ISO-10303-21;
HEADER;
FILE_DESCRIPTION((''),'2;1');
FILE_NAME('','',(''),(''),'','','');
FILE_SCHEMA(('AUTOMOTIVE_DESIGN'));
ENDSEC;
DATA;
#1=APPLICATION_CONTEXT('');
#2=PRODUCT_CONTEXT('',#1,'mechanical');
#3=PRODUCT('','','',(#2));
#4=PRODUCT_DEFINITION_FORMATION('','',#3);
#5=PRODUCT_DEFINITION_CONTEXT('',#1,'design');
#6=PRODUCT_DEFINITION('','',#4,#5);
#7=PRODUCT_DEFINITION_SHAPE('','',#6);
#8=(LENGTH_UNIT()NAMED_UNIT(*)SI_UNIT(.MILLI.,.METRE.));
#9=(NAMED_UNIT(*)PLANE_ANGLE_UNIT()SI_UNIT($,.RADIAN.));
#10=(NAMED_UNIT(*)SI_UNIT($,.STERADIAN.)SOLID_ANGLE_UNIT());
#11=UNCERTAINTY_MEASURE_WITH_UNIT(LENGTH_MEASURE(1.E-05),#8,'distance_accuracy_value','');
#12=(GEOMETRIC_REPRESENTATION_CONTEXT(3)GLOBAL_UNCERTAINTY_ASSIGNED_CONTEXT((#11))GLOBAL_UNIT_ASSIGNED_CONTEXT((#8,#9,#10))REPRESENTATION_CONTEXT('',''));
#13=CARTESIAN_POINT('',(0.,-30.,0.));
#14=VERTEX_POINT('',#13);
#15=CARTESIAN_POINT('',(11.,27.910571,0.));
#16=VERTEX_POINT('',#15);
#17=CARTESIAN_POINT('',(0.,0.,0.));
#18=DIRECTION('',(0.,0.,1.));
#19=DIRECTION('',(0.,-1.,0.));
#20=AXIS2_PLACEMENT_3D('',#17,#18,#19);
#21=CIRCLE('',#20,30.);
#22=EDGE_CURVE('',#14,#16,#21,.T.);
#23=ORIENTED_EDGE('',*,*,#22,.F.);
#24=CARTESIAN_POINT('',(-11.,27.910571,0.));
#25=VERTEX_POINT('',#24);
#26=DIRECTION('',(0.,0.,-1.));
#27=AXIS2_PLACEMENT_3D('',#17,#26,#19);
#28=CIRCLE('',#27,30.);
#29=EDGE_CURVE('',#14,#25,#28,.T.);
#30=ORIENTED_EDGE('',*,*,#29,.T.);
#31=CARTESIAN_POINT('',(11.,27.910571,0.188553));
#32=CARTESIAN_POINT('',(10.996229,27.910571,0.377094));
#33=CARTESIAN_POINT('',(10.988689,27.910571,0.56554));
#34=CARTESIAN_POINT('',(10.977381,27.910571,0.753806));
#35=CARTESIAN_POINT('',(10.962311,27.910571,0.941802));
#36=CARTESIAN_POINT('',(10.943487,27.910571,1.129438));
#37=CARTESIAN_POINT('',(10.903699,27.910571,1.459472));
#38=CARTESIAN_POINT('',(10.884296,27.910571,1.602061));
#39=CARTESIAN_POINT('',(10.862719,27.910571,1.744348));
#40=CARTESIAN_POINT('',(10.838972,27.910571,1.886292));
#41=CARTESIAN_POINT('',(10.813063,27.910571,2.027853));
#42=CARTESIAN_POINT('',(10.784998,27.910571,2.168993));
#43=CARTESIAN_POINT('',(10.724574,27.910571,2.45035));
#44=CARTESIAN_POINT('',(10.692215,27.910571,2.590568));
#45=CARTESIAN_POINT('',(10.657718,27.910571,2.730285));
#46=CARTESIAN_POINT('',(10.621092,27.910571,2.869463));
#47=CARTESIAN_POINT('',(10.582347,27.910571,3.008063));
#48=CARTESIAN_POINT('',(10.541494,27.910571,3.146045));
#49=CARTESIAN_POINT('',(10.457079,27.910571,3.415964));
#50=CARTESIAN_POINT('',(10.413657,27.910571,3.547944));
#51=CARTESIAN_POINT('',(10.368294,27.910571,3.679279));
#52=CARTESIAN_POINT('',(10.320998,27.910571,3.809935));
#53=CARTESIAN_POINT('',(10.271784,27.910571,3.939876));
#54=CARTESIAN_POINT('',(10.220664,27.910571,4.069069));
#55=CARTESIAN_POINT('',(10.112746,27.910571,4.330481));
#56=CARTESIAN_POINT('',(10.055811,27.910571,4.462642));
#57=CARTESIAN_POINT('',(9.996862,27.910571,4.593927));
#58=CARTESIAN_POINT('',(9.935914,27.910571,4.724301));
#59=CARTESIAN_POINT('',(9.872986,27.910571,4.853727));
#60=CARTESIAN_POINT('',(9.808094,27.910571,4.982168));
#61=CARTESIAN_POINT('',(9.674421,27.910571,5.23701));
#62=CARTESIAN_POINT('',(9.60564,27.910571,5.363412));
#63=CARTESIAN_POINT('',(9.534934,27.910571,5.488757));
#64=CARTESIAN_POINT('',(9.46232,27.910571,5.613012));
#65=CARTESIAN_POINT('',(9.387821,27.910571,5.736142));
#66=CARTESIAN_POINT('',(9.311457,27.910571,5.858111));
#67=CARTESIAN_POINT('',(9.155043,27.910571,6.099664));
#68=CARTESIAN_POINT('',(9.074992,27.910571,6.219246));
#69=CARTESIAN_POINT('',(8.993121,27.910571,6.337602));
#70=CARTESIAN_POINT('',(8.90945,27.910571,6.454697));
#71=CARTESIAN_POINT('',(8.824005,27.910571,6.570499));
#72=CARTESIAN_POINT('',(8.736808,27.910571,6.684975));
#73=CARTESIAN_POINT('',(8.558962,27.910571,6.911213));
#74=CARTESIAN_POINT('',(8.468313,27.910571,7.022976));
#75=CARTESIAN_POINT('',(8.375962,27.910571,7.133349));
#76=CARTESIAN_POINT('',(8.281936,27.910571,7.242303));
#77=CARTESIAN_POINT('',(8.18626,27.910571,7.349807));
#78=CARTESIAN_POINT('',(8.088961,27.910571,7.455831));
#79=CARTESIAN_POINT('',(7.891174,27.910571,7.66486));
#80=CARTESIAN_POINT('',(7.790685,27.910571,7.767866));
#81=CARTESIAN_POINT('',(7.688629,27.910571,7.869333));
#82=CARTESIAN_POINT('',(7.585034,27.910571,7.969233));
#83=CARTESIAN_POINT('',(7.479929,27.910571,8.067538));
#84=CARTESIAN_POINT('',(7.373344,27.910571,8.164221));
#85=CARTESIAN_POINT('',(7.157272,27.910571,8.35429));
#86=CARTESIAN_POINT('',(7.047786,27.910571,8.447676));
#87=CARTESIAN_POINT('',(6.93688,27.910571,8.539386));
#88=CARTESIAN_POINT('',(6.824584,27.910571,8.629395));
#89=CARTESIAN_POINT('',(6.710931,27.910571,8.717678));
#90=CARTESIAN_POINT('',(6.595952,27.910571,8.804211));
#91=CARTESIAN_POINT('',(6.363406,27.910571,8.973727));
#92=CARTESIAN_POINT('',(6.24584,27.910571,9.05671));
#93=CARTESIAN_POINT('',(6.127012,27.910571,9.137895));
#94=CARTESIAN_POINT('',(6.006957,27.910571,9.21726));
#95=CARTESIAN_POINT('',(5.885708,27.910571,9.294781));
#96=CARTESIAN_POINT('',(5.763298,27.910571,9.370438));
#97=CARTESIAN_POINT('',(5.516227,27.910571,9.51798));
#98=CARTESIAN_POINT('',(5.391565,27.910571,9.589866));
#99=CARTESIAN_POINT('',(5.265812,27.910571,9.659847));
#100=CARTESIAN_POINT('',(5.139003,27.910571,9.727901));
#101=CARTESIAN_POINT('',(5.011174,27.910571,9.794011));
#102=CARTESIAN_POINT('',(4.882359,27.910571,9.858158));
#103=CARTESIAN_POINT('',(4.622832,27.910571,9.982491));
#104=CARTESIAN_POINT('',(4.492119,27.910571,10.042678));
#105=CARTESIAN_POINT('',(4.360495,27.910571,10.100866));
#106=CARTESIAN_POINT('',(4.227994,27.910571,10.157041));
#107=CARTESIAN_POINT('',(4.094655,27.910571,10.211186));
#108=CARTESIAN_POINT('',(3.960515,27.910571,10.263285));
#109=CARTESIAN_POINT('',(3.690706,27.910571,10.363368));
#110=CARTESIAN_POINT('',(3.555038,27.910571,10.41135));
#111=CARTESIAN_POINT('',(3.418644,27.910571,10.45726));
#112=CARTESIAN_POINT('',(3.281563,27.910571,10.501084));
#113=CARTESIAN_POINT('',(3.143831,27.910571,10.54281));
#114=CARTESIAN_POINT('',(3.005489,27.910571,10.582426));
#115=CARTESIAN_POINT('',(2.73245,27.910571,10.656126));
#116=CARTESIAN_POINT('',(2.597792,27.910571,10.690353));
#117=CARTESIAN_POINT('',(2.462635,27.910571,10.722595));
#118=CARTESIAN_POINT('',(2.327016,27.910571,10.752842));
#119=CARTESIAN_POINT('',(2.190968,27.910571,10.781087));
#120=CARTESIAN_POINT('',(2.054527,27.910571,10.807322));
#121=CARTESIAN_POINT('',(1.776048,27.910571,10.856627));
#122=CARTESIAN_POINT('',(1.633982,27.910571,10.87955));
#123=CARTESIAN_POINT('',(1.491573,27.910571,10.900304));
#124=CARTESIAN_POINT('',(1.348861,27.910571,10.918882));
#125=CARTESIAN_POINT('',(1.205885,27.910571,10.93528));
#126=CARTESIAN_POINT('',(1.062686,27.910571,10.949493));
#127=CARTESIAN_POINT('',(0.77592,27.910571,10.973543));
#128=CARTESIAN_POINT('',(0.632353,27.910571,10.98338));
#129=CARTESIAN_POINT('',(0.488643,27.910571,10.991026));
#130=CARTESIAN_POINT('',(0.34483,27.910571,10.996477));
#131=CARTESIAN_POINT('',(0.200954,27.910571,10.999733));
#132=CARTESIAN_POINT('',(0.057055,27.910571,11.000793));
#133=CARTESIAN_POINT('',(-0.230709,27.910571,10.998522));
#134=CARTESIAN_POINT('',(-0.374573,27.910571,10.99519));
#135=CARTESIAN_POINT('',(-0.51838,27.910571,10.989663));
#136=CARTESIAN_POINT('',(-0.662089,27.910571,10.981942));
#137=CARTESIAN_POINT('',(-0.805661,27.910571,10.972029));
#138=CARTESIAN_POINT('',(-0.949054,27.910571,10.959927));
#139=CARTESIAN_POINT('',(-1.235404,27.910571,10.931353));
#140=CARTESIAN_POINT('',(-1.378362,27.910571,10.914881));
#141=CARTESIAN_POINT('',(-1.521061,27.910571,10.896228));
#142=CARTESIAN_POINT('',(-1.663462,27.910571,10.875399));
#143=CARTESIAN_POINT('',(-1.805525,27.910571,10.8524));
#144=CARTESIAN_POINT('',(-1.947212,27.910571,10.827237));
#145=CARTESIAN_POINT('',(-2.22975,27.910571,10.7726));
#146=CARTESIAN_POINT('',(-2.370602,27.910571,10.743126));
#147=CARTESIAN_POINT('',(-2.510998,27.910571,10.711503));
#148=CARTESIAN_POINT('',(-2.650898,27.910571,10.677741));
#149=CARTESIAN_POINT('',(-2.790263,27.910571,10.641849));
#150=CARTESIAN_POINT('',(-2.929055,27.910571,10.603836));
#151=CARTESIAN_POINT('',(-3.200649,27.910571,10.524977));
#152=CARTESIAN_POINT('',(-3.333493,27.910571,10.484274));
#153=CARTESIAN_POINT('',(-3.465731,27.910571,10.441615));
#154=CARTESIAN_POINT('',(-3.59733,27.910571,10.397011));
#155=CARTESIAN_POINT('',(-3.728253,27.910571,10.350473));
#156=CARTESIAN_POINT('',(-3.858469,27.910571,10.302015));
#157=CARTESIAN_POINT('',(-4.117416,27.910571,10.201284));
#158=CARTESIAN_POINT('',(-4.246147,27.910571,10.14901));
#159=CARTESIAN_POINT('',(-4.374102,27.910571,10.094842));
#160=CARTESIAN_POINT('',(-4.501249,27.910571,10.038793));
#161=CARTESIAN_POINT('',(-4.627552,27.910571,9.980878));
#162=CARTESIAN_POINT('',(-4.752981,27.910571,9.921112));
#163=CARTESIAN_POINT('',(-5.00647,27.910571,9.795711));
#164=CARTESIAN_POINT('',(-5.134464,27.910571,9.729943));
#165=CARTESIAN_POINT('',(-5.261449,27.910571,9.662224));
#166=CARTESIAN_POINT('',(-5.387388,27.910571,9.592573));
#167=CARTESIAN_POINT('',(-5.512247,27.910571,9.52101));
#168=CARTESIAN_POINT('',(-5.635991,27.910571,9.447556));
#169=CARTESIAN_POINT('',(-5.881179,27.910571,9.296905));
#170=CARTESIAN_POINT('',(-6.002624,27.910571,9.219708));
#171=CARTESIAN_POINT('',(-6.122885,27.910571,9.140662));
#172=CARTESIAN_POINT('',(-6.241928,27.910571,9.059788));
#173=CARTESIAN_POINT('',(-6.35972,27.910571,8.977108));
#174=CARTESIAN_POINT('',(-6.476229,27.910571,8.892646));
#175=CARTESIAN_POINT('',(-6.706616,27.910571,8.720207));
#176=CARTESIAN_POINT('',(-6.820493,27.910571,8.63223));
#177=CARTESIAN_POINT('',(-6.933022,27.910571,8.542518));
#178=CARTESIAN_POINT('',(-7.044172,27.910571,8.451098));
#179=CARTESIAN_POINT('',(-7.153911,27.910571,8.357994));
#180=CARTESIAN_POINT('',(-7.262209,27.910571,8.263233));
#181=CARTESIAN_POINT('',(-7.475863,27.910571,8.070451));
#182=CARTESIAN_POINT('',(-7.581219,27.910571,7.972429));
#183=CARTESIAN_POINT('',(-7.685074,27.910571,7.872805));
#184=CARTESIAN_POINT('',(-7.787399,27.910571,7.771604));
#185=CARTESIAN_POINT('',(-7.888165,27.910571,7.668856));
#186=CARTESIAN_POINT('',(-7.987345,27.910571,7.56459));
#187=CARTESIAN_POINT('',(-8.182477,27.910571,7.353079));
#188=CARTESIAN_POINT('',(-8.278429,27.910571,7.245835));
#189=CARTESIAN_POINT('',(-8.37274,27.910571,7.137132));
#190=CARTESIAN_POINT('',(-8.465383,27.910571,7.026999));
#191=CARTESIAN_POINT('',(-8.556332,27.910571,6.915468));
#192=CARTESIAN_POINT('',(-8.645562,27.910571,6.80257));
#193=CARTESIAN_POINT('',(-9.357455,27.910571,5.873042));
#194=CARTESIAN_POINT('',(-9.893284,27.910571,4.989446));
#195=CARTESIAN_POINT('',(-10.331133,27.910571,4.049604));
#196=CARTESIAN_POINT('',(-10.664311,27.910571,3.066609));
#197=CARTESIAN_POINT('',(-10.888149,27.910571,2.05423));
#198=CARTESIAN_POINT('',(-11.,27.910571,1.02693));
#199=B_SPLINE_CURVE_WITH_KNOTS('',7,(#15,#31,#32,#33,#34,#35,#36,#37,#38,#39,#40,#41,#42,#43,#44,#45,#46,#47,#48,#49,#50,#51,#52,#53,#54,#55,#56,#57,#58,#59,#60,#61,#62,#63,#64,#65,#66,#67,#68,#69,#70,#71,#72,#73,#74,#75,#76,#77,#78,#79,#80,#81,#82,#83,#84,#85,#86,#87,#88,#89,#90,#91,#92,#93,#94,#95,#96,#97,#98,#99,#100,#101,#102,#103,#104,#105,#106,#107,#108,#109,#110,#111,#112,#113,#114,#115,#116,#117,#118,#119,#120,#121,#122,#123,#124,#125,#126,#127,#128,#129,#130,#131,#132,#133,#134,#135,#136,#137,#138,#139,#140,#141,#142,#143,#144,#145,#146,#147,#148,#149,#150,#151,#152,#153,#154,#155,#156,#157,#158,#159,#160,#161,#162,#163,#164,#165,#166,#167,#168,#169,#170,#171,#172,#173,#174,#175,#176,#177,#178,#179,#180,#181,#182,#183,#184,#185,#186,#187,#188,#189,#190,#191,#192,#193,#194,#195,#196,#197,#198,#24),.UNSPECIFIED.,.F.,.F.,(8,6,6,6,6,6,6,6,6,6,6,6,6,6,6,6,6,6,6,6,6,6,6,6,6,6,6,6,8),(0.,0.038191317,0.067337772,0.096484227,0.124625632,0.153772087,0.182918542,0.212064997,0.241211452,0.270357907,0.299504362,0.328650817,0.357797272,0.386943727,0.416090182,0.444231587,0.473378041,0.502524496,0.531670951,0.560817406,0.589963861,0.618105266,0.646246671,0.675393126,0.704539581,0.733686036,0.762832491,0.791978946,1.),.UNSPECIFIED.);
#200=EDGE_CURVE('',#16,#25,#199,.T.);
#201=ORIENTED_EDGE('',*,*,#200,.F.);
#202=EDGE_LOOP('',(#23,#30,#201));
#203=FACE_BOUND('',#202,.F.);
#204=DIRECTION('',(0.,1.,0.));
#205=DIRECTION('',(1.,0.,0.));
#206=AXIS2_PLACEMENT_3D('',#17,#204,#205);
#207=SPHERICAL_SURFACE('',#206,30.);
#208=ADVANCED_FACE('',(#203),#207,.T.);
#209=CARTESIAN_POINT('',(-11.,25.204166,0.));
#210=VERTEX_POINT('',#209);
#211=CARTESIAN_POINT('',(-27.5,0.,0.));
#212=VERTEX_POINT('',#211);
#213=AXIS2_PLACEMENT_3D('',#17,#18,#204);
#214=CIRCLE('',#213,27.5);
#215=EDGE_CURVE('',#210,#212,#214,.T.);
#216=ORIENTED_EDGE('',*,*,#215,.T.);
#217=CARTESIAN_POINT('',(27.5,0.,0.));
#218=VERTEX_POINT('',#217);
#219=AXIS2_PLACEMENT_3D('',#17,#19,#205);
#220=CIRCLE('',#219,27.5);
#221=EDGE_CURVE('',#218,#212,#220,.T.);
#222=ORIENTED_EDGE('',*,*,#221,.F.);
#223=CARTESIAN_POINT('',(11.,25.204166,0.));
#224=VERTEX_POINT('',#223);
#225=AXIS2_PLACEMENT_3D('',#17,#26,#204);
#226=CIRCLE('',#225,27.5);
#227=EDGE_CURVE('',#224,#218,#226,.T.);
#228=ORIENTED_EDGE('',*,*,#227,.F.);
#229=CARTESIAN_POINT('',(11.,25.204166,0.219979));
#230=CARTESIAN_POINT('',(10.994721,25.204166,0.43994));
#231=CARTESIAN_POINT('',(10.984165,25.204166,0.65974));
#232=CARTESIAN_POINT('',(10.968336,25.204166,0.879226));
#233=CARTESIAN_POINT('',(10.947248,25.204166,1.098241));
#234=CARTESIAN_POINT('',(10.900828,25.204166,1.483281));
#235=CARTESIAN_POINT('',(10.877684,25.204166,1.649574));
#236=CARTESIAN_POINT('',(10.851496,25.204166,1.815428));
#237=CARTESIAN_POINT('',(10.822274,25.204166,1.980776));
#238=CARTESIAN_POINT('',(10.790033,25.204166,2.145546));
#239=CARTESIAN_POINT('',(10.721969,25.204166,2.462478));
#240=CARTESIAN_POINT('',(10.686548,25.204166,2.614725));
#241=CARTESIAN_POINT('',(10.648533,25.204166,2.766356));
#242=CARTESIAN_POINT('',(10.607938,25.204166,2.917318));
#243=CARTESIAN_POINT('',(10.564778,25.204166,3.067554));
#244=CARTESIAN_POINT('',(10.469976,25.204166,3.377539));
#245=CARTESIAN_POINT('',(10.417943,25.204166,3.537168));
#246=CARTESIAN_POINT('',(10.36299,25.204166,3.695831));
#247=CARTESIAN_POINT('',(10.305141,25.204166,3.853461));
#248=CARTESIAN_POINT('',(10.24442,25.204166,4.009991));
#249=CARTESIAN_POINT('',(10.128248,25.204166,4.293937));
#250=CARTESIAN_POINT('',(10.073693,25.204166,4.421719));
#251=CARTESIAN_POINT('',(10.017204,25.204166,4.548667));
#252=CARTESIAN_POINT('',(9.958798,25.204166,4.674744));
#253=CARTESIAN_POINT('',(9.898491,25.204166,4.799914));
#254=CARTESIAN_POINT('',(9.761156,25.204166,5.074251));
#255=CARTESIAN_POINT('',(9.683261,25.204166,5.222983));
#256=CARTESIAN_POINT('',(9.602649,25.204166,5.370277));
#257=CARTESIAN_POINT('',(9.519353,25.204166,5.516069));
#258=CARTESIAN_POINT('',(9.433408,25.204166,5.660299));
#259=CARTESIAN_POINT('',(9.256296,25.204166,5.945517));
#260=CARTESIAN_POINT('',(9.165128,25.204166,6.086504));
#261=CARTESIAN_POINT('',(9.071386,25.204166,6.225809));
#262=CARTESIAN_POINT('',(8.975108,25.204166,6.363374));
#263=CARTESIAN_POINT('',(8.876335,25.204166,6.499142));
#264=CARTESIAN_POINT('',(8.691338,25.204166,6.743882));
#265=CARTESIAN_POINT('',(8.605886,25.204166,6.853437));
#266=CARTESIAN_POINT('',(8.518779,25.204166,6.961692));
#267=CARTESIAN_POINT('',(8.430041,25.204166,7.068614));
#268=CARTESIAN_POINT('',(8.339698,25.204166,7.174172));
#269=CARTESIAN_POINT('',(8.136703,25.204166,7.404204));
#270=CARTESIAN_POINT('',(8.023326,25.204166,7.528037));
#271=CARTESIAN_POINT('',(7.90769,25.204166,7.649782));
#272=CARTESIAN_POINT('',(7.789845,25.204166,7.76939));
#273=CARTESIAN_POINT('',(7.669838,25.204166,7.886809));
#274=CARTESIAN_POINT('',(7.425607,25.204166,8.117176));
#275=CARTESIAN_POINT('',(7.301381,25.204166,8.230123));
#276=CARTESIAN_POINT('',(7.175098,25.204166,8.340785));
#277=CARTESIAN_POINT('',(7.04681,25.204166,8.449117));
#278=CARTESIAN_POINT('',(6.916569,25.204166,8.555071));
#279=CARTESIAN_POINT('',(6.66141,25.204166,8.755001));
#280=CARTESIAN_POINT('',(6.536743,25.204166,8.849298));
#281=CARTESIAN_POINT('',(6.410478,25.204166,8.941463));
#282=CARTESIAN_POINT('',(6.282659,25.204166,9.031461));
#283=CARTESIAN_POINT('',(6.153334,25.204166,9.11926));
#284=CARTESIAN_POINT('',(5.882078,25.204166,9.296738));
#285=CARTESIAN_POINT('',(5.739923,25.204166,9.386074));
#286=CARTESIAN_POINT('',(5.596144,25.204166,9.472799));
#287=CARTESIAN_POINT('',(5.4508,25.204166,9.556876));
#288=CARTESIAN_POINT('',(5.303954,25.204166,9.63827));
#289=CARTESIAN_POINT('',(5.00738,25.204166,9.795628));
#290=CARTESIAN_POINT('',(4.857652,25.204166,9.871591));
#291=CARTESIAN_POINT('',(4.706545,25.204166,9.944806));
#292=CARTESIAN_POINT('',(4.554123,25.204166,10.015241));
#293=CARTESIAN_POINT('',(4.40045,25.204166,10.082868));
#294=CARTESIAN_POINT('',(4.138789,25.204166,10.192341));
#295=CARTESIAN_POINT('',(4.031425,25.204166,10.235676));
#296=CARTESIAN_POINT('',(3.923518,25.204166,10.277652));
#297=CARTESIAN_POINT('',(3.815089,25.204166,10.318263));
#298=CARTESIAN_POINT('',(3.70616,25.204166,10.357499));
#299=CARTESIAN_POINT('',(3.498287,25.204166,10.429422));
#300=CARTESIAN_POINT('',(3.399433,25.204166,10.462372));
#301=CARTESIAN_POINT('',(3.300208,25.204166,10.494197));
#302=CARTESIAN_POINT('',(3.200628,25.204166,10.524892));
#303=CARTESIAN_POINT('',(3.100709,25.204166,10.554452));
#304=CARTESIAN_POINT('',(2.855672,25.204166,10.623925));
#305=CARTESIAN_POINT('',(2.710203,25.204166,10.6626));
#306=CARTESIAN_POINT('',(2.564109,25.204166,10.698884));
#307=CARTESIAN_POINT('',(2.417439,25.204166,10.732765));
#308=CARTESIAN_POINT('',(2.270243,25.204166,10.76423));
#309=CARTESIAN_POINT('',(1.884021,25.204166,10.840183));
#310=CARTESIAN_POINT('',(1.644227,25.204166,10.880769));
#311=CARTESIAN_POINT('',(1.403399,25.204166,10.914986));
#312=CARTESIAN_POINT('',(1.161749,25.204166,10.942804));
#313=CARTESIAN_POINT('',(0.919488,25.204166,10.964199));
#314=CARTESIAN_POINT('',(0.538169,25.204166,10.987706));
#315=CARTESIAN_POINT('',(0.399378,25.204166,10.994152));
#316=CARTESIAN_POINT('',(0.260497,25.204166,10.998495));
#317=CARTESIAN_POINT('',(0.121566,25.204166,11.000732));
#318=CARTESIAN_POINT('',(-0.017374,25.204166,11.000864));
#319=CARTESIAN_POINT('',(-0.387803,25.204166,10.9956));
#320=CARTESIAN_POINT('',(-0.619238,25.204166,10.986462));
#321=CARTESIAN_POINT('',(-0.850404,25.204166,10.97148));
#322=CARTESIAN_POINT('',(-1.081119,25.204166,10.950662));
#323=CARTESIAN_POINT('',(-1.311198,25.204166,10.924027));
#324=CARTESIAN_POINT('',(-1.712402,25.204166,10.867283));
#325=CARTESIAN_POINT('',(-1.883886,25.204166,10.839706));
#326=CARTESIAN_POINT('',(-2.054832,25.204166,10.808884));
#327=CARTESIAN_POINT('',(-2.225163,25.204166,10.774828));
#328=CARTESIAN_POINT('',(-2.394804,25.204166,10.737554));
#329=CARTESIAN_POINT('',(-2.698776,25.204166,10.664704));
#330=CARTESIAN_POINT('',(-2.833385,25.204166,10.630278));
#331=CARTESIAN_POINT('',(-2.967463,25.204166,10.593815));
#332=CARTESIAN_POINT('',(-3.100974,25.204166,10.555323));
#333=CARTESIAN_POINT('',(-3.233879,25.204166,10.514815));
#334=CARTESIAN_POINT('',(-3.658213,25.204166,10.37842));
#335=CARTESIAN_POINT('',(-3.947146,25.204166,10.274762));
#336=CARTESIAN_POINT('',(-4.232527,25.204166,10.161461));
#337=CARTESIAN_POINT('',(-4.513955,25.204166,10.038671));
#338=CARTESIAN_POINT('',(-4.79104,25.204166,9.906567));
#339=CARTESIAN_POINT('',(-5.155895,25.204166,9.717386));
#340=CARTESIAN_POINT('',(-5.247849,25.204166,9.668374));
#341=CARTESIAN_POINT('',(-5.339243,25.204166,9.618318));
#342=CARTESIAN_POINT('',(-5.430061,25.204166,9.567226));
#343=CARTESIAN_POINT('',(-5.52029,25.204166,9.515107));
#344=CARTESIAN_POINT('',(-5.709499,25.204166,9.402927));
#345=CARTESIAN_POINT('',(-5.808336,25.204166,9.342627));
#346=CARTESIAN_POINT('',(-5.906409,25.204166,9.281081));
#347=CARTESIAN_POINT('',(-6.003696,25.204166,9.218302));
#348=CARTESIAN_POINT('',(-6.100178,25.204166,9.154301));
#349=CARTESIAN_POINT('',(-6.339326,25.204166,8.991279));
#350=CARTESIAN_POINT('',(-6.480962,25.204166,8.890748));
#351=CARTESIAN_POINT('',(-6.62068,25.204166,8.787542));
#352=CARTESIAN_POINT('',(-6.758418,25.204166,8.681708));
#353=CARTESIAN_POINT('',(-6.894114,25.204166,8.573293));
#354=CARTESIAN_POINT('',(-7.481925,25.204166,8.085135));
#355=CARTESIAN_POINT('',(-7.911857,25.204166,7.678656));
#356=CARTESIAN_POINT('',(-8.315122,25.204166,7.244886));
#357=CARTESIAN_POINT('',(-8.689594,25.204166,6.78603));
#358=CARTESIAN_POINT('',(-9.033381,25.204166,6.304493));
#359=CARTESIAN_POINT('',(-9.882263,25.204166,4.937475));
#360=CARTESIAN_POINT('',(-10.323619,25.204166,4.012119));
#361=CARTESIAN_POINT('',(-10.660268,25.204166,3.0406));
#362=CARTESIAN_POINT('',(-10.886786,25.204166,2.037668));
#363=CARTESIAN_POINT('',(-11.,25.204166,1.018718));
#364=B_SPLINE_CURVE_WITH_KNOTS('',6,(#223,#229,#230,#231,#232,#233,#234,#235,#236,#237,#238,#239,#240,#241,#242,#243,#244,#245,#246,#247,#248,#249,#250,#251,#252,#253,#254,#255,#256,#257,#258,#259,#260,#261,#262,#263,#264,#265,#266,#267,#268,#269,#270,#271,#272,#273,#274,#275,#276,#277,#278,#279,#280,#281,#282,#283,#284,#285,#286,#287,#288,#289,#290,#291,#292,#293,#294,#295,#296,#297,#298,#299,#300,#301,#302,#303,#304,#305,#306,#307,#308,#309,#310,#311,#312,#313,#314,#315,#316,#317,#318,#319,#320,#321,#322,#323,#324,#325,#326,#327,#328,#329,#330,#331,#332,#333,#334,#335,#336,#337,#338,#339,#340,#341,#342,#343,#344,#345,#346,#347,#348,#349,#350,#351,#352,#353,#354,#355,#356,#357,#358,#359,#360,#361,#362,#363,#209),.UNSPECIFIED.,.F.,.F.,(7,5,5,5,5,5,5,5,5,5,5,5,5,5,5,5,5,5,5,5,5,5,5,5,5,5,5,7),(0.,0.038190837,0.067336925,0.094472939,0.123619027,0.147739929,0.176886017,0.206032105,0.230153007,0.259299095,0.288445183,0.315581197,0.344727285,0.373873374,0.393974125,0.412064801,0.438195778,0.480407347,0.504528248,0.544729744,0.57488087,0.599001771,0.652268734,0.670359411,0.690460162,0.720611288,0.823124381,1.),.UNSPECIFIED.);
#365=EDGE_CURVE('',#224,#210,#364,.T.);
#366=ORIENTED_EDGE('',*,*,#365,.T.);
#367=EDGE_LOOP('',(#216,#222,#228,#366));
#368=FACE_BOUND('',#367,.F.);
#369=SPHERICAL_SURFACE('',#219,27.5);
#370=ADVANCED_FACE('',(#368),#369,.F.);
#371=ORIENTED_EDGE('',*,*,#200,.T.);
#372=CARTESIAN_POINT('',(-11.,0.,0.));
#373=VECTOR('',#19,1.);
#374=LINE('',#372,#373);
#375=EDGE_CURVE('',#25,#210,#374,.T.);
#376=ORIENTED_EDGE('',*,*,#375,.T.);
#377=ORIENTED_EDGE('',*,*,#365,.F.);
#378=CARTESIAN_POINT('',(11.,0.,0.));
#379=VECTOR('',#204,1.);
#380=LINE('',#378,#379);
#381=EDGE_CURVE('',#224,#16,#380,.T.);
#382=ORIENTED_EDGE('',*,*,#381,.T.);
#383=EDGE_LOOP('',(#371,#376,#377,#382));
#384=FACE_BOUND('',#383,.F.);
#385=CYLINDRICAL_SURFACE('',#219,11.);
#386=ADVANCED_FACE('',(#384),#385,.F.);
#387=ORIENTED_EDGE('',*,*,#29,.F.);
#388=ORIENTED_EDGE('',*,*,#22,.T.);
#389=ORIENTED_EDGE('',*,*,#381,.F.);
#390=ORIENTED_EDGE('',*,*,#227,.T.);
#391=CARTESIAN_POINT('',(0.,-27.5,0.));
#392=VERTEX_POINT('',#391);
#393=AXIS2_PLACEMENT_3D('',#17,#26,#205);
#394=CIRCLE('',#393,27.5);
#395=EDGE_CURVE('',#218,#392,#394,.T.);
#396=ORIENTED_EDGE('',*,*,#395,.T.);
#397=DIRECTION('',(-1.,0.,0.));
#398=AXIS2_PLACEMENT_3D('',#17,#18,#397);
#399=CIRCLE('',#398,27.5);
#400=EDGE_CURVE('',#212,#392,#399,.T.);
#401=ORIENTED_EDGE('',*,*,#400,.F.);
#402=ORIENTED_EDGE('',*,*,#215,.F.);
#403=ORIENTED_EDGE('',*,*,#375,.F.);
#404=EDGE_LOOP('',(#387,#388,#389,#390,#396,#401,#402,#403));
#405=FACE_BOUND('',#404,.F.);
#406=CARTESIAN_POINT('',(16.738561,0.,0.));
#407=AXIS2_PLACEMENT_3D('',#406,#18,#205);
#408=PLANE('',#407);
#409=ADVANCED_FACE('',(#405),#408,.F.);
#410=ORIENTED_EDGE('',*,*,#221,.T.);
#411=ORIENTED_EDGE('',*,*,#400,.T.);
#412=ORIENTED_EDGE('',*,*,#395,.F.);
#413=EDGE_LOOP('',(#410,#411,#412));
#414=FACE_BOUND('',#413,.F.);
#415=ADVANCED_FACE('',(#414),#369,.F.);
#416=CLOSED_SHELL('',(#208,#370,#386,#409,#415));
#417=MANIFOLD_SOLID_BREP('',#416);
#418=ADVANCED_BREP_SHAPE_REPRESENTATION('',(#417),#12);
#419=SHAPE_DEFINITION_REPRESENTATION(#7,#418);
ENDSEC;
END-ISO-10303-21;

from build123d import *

# Parameters (mm, degrees)
F1_ANGLE = 180
F2_R     = 11
F3_DEPTH = 60


with BuildPart() as f1:
    # F0 (on Top) → F1 (revolve)
    with BuildSketch(Plane.XY):
        with BuildLine():
            ThreePointArc((0, -30), (21.2132034356, -21.2132034356), (30, 0))
            ThreePointArc((30, 0), (21.2132034356, 21.2132034356), (0, 30))
            Line((0, 30), (0, 27.5))
            ThreePointArc((0, 27.5), (19.4454364826, 19.4454364826), (27.5, 0))
            ThreePointArc((27.5, 0), (19.4454364826, -19.4454364826), (0, -27.5))
            Line((0, -27.5), (0, -30))
        make_face()
    revolve(axis=Axis((0, 0, 0), (0, -1, 0)), revolution_arc=F1_ANGLE)

    # F2 (on Front) → F3 (cut)
    with BuildSketch(Plane.XZ):
        Circle(F2_R)
    extrude(amount=-F3_DEPTH, mode=Mode.SUBTRACT)


solid = f1.part
